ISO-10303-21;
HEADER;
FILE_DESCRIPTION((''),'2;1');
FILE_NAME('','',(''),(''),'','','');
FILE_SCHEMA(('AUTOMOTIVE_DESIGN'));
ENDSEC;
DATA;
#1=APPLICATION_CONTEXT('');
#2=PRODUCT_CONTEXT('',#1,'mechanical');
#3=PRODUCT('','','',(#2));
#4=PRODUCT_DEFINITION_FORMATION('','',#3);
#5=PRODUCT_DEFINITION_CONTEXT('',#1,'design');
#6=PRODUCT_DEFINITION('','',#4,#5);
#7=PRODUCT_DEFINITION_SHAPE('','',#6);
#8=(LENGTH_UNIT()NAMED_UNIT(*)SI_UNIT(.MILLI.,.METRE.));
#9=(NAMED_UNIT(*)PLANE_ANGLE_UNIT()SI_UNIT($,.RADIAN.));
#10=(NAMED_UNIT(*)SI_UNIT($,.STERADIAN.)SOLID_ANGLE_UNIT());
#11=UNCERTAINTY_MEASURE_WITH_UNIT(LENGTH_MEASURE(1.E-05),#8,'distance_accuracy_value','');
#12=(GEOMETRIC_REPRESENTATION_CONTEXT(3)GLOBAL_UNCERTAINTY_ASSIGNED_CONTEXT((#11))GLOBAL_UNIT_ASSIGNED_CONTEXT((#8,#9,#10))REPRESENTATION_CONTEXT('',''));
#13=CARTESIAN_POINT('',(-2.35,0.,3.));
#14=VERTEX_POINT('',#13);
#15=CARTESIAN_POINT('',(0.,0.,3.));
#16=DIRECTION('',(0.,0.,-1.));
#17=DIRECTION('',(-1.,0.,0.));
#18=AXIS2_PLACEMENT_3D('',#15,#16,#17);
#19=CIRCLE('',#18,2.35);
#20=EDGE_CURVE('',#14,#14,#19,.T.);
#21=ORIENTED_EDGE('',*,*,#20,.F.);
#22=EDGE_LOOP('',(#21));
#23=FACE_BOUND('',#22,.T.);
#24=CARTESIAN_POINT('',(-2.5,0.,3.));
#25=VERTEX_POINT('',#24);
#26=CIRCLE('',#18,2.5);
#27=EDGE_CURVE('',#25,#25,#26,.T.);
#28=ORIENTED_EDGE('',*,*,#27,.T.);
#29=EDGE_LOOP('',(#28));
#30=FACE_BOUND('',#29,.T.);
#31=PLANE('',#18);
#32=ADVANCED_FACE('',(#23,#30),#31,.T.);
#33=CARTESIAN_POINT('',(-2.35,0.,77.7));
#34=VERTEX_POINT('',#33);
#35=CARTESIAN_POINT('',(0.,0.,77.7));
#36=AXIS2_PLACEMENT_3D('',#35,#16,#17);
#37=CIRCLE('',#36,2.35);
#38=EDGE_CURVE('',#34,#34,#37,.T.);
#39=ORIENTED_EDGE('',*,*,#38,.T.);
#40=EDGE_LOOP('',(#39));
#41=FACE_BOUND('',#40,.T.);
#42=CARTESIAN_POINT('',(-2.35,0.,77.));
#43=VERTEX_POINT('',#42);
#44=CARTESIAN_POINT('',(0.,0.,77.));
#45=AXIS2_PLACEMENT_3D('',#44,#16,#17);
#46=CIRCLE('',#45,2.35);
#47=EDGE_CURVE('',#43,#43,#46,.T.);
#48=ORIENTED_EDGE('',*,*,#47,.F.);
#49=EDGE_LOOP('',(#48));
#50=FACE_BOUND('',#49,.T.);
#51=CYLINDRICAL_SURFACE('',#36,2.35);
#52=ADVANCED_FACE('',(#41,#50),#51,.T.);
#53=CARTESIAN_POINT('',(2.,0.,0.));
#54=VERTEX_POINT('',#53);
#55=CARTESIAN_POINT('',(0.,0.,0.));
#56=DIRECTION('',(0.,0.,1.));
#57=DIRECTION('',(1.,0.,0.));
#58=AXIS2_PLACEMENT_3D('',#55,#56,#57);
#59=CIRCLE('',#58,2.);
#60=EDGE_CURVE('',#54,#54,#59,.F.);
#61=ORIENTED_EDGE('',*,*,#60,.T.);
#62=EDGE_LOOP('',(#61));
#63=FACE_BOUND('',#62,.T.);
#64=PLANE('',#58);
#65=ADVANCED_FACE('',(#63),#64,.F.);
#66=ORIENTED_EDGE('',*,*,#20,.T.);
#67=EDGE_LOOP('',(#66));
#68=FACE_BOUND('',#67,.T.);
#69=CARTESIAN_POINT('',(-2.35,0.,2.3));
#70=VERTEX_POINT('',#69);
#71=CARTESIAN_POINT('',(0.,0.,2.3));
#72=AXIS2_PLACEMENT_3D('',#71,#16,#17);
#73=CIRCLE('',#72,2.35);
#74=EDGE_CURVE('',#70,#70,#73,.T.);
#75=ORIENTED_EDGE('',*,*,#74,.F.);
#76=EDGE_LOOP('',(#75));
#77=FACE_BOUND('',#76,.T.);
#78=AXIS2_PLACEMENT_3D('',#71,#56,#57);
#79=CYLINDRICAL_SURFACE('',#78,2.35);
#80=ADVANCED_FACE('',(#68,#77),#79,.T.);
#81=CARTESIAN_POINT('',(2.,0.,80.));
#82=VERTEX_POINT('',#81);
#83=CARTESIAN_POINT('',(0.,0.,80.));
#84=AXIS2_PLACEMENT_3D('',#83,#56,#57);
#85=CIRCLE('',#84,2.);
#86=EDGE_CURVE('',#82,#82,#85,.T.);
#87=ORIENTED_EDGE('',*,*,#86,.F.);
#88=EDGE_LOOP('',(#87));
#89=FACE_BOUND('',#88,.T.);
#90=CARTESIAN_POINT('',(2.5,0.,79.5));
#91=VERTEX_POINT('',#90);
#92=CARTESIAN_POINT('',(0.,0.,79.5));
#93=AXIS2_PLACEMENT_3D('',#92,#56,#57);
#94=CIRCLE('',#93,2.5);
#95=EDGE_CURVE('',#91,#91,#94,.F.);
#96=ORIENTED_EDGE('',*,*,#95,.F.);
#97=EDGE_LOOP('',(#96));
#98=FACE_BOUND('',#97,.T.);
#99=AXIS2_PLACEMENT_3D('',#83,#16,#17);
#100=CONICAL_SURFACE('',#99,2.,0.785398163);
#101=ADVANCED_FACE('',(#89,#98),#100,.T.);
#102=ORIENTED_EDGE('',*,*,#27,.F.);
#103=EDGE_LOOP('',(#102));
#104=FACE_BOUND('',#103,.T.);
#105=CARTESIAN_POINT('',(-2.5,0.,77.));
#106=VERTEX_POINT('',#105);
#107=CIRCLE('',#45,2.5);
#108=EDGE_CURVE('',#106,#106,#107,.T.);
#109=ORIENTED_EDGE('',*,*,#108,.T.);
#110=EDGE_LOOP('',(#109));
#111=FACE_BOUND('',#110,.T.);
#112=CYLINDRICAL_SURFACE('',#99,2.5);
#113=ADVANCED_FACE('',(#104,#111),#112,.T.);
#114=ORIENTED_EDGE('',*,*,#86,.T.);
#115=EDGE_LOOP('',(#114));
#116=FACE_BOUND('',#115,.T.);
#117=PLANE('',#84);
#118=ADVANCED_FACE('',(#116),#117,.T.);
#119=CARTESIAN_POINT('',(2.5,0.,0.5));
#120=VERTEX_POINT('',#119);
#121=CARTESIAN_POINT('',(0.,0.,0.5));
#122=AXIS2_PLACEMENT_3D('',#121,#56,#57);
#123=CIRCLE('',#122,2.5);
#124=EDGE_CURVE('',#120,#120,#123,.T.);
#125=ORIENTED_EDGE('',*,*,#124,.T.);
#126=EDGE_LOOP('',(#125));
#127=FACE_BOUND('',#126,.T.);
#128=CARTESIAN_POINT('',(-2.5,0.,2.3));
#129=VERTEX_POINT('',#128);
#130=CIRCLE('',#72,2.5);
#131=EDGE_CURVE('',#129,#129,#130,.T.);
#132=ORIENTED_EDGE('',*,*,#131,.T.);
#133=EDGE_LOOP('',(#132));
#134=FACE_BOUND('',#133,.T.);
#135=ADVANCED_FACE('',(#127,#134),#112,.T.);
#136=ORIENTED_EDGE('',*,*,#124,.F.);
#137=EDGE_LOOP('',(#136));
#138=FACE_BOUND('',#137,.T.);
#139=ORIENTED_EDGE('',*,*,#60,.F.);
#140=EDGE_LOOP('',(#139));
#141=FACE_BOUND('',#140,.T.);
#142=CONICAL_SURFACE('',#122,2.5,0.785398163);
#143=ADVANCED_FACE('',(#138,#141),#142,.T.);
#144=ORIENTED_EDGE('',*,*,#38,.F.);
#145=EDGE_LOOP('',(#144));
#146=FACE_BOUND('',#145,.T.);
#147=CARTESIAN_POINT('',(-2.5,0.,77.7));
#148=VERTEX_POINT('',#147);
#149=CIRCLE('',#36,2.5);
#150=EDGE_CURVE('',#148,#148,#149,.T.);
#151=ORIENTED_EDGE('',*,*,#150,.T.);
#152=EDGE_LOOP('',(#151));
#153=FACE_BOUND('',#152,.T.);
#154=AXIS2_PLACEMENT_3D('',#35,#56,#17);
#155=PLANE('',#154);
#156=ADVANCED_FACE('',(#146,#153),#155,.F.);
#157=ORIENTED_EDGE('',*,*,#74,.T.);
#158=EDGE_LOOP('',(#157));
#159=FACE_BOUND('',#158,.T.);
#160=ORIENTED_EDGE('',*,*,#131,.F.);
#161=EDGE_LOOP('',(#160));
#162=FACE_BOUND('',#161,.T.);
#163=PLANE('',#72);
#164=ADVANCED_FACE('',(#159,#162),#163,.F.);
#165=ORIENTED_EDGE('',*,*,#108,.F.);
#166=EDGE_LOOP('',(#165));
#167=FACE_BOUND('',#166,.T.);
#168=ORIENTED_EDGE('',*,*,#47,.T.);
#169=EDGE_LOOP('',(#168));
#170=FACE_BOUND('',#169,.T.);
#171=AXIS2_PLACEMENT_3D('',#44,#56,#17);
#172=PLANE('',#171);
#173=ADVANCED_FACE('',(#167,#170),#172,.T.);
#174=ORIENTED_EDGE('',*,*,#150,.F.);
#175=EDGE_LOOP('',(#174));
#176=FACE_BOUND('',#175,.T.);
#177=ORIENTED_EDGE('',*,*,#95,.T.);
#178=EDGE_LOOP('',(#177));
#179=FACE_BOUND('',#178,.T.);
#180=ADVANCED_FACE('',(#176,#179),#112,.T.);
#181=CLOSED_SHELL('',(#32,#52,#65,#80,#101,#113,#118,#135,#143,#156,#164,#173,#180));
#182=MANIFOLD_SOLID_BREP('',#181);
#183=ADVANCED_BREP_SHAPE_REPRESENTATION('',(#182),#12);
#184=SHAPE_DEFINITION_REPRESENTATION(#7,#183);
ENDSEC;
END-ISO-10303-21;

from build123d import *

# Parameters (mm, degrees)
SKETCH_1_R          = 2.5
EXTRUDE_1_DEPTH     = 80
CHAMFER_1_SIZE      = 0.5
CUT_EXTRUDE_START   = -2.3
SKETCH_2_R          = 2.5
SKETCH_2_R_2        = 2.35
CUT_EXTRUDE_1_DEPTH = 0.7


with BuildPart() as part:
    # 草图1 → 凸台-拉伸1 (new body)
    with BuildSketch(Plane.XY):
        Circle(SKETCH_1_R)
    extrude(amount=EXTRUDE_1_DEPTH)

    # 倒角1
    chamfer_1_edges = [part.edges().sort_by_distance(p)[0] for p in [
        (-2.5, 0, 0),
        (-2.5, 0, 80),
    ]]
    chamfer(chamfer_1_edges, length=CHAMFER_1_SIZE)

    # 草图2 → 切除-拉伸1 (cut)
    with BuildSketch(Plane(origin=(0, 0, 0), x_dir=(-1, 0, 0), z_dir=(0, 0, -1)).offset(CUT_EXTRUDE_START)):
        Circle(SKETCH_2_R)
        Circle(SKETCH_2_R_2, mode=Mode.SUBTRACT)
    cut_extrude_1 = extrude(amount=-CUT_EXTRUDE_1_DEPTH, mode=Mode.SUBTRACT)

    # 镜向1: 切除-拉伸1 across plane
    add(cut_extrude_1.mirror(Plane.XY.offset(40)), mode=Mode.SUBTRACT)


solid = part.part
